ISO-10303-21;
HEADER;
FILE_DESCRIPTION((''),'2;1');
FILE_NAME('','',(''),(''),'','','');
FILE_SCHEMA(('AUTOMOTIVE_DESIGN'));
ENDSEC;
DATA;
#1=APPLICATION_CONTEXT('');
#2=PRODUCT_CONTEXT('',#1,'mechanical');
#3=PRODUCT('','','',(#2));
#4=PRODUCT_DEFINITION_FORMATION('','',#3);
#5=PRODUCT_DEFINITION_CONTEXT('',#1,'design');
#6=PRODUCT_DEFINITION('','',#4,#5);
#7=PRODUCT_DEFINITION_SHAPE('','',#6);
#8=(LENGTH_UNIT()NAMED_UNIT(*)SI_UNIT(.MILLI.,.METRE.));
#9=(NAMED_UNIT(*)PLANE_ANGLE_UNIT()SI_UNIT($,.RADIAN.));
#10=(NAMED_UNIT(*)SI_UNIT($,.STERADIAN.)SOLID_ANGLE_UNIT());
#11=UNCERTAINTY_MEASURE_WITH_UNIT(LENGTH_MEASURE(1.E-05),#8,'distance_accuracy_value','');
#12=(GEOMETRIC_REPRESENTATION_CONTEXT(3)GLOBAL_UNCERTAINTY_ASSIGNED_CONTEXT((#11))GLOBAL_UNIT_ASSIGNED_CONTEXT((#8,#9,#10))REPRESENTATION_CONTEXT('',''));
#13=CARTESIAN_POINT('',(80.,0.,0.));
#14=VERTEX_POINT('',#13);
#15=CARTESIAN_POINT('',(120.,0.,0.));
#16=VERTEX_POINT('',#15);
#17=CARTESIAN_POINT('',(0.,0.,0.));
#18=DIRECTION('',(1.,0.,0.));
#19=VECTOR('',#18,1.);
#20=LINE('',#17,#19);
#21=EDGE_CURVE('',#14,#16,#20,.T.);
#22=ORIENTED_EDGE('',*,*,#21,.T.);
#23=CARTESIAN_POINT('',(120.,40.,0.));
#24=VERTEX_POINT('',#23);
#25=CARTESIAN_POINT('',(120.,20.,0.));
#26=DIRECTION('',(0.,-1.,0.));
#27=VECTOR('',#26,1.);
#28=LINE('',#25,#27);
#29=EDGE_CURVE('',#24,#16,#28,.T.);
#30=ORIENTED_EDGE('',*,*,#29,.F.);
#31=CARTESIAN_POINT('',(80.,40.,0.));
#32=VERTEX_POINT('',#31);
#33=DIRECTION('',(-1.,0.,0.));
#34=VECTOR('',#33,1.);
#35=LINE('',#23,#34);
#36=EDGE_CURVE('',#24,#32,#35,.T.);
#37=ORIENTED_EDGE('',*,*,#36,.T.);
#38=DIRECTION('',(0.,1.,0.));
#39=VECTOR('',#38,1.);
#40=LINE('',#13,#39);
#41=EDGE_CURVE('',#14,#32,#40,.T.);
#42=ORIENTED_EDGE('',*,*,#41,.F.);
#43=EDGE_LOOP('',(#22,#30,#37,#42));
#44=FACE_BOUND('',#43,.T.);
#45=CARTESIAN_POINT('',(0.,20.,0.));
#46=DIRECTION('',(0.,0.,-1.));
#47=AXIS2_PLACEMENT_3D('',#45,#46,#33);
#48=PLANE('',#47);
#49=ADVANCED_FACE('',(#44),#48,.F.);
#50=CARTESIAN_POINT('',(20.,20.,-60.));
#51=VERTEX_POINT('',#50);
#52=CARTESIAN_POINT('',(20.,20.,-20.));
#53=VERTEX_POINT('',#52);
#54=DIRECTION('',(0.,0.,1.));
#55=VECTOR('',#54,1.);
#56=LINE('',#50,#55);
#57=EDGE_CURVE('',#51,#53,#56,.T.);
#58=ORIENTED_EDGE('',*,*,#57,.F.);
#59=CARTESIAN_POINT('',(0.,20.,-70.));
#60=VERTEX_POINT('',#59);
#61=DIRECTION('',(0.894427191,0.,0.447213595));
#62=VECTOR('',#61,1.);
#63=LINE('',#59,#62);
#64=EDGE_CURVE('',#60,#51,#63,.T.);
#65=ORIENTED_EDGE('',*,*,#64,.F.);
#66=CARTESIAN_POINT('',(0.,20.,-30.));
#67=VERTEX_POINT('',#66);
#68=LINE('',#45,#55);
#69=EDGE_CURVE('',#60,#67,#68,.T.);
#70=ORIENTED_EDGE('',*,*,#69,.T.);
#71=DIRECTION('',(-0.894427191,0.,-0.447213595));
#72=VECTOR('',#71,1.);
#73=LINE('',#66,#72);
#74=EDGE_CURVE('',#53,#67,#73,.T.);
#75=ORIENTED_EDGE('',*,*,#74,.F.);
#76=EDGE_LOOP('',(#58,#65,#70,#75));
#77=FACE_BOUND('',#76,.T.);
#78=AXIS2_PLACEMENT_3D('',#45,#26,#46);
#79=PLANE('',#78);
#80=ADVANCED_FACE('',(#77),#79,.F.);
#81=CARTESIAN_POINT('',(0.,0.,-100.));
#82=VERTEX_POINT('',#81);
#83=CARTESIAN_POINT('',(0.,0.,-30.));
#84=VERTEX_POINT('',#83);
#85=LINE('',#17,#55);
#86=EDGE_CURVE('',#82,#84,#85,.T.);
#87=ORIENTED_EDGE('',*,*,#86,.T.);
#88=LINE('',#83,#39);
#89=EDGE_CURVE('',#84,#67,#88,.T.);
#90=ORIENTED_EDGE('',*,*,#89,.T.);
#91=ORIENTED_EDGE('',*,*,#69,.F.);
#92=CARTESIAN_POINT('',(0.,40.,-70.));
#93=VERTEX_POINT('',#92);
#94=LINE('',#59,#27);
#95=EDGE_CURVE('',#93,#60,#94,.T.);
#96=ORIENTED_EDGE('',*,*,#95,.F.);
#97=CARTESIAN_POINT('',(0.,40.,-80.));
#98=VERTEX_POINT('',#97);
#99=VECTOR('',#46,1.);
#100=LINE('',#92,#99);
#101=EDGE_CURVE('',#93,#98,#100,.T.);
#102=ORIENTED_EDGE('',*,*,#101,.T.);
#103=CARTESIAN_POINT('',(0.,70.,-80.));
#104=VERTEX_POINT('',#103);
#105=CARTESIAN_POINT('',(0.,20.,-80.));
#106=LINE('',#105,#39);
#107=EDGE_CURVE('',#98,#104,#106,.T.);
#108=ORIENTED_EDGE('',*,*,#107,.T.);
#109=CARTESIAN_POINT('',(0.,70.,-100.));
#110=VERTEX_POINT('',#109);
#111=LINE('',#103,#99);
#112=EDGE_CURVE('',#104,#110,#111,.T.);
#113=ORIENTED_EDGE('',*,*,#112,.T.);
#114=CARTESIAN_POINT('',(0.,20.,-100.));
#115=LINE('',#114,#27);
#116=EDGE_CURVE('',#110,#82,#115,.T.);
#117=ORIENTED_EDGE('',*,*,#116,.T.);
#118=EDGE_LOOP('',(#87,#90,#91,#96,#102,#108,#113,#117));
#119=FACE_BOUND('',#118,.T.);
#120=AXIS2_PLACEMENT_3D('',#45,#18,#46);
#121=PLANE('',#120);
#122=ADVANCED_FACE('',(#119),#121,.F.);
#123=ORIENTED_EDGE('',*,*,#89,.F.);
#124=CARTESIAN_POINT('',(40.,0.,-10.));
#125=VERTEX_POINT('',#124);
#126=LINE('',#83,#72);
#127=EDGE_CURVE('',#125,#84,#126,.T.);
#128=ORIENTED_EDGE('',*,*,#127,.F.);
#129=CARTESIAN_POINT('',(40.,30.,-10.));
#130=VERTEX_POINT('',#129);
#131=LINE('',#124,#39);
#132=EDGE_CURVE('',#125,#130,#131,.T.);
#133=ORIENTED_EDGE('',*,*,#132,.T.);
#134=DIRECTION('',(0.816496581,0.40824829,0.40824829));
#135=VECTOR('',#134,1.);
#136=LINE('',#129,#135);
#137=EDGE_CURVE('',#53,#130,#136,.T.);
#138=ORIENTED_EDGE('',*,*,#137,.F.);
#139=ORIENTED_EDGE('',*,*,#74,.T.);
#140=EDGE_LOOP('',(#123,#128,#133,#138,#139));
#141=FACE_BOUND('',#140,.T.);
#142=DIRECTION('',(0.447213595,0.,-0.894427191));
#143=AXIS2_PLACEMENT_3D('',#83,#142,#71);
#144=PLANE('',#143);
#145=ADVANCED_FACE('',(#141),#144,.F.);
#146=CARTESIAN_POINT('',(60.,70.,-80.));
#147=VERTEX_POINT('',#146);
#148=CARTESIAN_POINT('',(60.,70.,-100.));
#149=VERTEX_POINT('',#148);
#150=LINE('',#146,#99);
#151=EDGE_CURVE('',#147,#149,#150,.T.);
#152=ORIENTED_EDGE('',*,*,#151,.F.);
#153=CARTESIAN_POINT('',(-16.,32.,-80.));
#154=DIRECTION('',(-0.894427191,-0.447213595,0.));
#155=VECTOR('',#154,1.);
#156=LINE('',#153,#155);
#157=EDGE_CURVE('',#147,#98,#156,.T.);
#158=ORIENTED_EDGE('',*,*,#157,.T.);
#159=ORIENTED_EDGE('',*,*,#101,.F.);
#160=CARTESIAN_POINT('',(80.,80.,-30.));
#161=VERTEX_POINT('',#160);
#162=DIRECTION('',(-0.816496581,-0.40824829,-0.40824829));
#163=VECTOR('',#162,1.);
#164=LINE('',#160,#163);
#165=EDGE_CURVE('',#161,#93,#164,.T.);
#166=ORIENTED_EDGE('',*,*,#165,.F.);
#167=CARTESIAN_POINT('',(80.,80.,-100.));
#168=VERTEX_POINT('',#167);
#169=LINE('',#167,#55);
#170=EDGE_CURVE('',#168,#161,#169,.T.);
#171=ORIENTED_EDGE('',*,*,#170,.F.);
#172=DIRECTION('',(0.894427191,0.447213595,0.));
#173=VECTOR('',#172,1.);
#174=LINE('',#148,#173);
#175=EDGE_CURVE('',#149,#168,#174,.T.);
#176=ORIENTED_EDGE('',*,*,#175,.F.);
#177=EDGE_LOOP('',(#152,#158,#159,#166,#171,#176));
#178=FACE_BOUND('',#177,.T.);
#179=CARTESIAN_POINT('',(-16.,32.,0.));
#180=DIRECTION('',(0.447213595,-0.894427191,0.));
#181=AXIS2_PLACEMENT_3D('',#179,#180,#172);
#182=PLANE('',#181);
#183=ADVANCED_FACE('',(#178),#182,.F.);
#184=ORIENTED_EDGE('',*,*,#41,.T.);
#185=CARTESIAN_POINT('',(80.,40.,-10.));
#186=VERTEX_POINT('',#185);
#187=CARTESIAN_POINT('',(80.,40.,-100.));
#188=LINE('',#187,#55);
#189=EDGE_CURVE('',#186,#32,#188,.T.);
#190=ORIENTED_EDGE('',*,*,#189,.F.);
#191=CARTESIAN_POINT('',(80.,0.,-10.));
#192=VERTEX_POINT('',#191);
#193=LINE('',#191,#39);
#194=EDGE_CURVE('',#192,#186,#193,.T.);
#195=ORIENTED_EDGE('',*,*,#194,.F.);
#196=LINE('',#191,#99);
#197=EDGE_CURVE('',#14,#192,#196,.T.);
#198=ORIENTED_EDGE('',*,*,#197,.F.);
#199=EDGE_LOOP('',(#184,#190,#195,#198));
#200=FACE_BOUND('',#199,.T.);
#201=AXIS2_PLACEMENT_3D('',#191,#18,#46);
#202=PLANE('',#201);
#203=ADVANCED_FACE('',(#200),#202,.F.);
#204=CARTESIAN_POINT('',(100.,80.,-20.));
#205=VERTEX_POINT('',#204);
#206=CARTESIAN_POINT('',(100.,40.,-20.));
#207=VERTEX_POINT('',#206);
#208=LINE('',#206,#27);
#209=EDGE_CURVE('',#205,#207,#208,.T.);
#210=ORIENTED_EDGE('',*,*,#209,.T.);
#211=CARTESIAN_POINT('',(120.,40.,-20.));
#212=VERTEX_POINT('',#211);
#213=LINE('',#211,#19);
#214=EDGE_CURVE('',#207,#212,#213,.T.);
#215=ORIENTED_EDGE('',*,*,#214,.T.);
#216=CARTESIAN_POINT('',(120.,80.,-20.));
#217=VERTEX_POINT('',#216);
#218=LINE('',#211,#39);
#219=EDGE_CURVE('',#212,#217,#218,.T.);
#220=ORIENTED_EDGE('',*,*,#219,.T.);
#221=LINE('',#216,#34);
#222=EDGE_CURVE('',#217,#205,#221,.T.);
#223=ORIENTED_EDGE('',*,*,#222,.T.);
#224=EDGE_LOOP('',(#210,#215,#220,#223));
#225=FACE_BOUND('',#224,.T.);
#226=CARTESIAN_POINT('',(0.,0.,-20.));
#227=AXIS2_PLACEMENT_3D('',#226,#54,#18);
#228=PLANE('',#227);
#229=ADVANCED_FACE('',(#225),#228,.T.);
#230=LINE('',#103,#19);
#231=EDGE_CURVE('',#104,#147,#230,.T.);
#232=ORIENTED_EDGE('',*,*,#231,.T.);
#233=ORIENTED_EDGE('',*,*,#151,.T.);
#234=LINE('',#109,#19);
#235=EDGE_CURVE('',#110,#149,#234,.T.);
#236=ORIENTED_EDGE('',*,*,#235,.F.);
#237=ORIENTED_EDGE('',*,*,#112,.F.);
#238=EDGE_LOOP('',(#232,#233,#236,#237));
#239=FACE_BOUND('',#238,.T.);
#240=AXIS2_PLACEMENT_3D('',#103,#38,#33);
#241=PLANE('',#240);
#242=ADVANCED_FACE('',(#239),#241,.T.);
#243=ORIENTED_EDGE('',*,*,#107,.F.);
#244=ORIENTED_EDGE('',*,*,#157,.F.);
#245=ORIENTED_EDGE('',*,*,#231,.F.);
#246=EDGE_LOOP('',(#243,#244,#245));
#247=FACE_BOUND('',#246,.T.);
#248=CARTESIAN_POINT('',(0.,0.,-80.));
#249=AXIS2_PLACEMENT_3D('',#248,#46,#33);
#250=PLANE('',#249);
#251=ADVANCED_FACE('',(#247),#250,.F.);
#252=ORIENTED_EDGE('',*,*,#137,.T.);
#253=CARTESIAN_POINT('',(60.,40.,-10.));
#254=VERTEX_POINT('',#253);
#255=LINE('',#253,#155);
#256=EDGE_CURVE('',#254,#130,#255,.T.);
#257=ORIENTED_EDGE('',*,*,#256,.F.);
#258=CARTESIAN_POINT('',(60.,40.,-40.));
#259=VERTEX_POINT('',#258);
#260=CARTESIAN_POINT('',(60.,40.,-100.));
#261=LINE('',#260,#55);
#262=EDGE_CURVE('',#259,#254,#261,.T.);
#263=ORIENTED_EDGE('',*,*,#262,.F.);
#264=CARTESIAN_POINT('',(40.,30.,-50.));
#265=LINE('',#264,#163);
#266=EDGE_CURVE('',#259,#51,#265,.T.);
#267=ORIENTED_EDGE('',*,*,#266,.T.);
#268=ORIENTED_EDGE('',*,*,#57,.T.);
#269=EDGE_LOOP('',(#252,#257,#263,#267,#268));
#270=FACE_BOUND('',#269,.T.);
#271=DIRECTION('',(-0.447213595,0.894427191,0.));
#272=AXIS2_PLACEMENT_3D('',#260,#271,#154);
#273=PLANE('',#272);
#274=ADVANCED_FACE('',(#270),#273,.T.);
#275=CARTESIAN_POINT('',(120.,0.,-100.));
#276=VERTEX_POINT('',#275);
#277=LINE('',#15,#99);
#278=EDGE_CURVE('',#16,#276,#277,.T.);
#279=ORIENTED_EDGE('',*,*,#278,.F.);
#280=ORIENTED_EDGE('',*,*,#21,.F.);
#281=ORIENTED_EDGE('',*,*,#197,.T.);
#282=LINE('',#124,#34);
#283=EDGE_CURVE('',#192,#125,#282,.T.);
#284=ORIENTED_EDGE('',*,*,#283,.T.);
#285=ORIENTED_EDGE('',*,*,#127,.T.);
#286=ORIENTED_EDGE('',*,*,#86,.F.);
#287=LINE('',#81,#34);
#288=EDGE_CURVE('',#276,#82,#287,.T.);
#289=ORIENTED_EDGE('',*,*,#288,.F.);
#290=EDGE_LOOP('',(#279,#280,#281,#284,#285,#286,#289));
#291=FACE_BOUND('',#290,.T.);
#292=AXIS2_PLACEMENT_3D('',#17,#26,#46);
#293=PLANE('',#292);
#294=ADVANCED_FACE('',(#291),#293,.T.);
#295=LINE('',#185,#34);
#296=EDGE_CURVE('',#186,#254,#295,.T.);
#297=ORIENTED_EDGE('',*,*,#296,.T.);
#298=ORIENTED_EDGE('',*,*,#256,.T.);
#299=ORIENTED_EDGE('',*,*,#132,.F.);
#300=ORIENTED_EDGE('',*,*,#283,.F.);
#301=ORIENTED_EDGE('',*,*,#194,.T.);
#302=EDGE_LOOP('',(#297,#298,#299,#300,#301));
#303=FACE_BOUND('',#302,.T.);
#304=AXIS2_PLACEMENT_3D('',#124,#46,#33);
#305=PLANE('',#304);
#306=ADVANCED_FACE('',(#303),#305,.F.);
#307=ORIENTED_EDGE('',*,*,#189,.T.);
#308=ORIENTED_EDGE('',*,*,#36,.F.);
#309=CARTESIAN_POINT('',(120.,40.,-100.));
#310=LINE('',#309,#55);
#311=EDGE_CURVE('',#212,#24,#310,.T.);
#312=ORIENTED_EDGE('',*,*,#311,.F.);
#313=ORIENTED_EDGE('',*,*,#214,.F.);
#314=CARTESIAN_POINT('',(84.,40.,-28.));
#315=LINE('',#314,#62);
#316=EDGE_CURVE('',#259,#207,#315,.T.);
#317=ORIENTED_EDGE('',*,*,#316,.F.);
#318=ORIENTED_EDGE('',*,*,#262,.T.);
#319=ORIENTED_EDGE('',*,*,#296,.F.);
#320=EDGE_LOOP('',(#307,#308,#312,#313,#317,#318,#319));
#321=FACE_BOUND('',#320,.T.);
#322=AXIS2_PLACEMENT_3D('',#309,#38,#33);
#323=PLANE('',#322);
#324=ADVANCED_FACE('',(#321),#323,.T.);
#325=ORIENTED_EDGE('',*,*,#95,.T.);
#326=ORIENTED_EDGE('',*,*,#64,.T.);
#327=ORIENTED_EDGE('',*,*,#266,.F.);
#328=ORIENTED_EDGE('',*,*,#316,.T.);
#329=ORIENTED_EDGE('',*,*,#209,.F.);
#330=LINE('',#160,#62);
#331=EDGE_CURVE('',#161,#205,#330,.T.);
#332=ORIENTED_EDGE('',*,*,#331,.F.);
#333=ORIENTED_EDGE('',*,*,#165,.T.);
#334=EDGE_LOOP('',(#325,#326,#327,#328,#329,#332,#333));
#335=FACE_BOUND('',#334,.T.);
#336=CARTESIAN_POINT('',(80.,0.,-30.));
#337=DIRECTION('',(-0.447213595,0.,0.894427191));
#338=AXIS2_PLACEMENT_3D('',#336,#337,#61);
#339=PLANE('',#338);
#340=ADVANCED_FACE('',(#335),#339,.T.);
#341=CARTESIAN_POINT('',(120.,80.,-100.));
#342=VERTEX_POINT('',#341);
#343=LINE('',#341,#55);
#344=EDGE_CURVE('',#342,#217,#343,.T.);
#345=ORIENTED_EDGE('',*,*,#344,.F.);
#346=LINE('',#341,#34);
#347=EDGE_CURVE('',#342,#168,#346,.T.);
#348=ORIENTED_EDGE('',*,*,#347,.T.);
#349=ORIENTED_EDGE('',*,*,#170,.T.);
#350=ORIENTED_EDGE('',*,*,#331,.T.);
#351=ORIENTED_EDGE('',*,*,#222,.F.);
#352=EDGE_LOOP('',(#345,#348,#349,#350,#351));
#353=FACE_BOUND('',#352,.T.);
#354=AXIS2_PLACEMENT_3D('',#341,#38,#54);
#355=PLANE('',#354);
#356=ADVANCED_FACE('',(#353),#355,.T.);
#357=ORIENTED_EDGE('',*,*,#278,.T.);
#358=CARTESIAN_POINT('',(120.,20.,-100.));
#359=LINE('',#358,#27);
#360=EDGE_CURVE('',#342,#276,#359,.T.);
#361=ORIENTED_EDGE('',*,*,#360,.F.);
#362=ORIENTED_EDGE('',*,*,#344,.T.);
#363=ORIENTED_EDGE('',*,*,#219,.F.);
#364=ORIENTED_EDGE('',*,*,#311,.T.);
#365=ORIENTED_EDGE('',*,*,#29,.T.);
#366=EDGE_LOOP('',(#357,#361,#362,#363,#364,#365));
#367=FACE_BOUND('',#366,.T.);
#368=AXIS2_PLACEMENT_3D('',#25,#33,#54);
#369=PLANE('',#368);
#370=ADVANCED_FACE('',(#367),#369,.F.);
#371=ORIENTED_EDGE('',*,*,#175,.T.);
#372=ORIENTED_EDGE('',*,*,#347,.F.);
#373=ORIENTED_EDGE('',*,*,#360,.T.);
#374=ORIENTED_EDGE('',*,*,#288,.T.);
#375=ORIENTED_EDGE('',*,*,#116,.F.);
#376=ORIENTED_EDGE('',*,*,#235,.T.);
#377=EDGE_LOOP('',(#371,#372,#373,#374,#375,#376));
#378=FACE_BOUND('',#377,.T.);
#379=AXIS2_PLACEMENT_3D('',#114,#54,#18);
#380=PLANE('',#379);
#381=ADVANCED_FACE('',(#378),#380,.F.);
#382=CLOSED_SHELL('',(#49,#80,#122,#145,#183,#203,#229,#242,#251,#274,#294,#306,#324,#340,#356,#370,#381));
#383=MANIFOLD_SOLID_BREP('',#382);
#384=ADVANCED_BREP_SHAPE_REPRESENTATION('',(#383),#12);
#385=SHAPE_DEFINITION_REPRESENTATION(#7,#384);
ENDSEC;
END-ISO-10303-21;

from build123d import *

# Parameters (mm, degrees)
SKETCH1_W            = 120
SKETCH1_H            = 100
BOSS_EXTRUDE1_DEPTH  = 20
CUT_EXTRUDE1_DEPTH   = 20
SKETCH3_W            = 40
SKETCH3_H            = 40
BOSS_EXTRUDE3_DEPTH  = 100
BOSS_EXTRUDE4_DEPTH  = 90
SKETCH5_W            = 20
SKETCH5_H            = 40
BOSS_EXTRUDE6_DEPTH  = 80
BOSS_EXTRUDE7_DEPTH  = 80
SKETCH7_W            = 60
SKETCH7_H            = 50
BOSS_EXTRUDE8_DEPTH  = 20
SKETCH8_W            = 10
SKETCH8_H            = 20
BOSS_EXTRUDE9_DEPTH  = 10
BOSS_EXTRUDE10_DEPTH = 42
BOSS_EXTRUDE18_DEPTH = 42
BOSS_EXTRUDE19_DEPTH = 30
BOSS_EXTRUDE21_DEPTH = 30
BOSS_EXTRUDE22_DEPTH = 30
BOSS_EXTRUDE23_DEPTH = 30
BOSS_EXTRUDE24_DEPTH = 30
SKETCH22_W           = 120
SKETCH22_H           = 100
CUT_EXTRUDE3_DEPTH   = 30


with BuildPart() as part:
    # Sketch1 → Boss-Extrude1 (new body)
    with BuildSketch(Plane(origin=(0, 0, 0), x_dir=(1, 0, 0), z_dir=(0, 1, 0))):
        with Locations((60, 50)):
            Rectangle(SKETCH1_W, SKETCH1_H)
    extrude(amount=BOSS_EXTRUDE1_DEPTH)

    # Sketch2 → Cut-Extrude1 (cut)
    with BuildSketch(Plane(origin=(0, 20, 0), x_dir=(1, 0, 0), z_dir=(0, 1, 0))):
        Polygon((0, 30), (40, 10), (80, 10), (80, 0), (0, 0), align=None)
    extrude(amount=-CUT_EXTRUDE1_DEPTH, mode=Mode.SUBTRACT)

    # Sketch3 → Boss-Extrude3 (add)
    with BuildSketch(Plane.XY):
        with Locations((100, 20)):
            Rectangle(SKETCH3_W, SKETCH3_H)
    extrude(amount=-BOSS_EXTRUDE3_DEPTH)

    # Sketch4 → Boss-Extrude4 (add)
    with BuildSketch(Plane.XY.offset(-10)):
        Polygon((80, 20), (80, 40), (60, 40), (40, 30), (40, 20), align=None)
    extrude(amount=-BOSS_EXTRUDE4_DEPTH)

    # Sketch5 → Boss-Extrude6 (add)
    with BuildSketch(Plane.XY.offset(-20)):
        with Locations((110, 60)):
            Rectangle(SKETCH5_W, SKETCH5_H)
    extrude(amount=-BOSS_EXTRUDE6_DEPTH)

    # Sketch6 → Boss-Extrude7 (add)
    with BuildSketch(Plane(origin=(0, 80, 0), x_dir=(1, 0, 0), z_dir=(0, 1, 0))):
        Polygon((100, 100), (80, 100), (80, 30), (100, 20), align=None)
    extrude(amount=-BOSS_EXTRUDE7_DEPTH)

    # Sketch7 → Boss-Extrude8 (add)
    with BuildSketch(Plane(origin=(0, 0, -100), x_dir=(-1, 0, 0), z_dir=(0, 0, -1))):
        with Locations((-30, 45)):
            Rectangle(SKETCH7_W, SKETCH7_H)
    extrude(amount=-BOSS_EXTRUDE8_DEPTH)

    # Sketch8 → Boss-Extrude9 (add)
    with BuildSketch(Plane.XY.offset(-80)):
        with Locations((5, 30)):
            Rectangle(SKETCH8_W, SKETCH8_H)
    extrude(amount=BOSS_EXTRUDE9_DEPTH)

    # Sketch9 → Boss-Extrude10 (add)
    with BuildSketch(Plane(origin=(-16, 32, 0), x_dir=(-0.894427191, -0.447213595, 0), z_dir=(0.447213595, -0.894427191, 0))):
        Polygon((-107.33126292, 100), (-107.33126292, 30), (-17.88854382, 70), (-17.88854382, 80), align=None)
    extrude(amount=BOSS_EXTRUDE10_DEPTH)

    # Sketch11 → Boss-Extrude18 (add)
    with BuildSketch(Plane(origin=(0, 0, -100), x_dir=(-1, 0, 0), z_dir=(0, 0, -1))):
        Polygon((-80, 40), (-60, 40), (-60, 70), (-80, 80), align=None)
    extrude(amount=-BOSS_EXTRUDE18_DEPTH)

    # Sketch12 → Boss-Extrude19 (add)
    with BuildSketch(Plane(origin=(28, 0, -56), x_dir=(0.894427191, 0, 0.447213595), z_dir=(-0.447213595, 0, 0.894427191))):
        Polygon((58.137767415, 80), (58.137767415, 40), (-31.304951685, 20), (-31.304951685, 40), align=None)
    extrude(amount=-BOSS_EXTRUDE19_DEPTH)

    # Sketch17 → Boss-Extrude21 (add)
    with BuildSketch(Plane(origin=(28, 0, -56), x_dir=(0.894427191, 0, 0.447213595), z_dir=(-0.447213595, 0, 0.894427191))):
        Polygon((13.416407865, 30), (-31.304951685, 20), (13.416407865, 20), align=None)
    extrude(amount=-BOSS_EXTRUDE21_DEPTH)

    # Sketch19 → Boss-Extrude22 (add)
    with BuildSketch(Plane(origin=(-4, 8, 0), x_dir=(0.894427191, 0.447213595, 0), z_dir=(-0.447213595, 0.894427191, 0))):
        Polygon((26.83281573, 20), (71.55417528, 10), (71.55417528, 40), (26.83281573, 60), align=None)
    extrude(amount=-BOSS_EXTRUDE22_DEPTH)

    # Sketch20 → Boss-Extrude23 (add)
    with BuildSketch(Plane(origin=(-4, 8, 0), x_dir=(0.894427191, 0.447213595, 0), z_dir=(-0.447213595, 0.894427191, 0))):
        Polygon((49.193495505, 10), (26.83281573, 20), (49.193495505, 15), align=None)
    extrude(amount=-BOSS_EXTRUDE23_DEPTH)

    # Sketch21 → Boss-Extrude24 (add)
    with BuildSketch(Plane(origin=(12, 0, -24), x_dir=(0.894427191, 0, 0.447213595), z_dir=(-0.447213595, 0, 0.894427191))):
        Polygon((8.94427191, 20), (31.304951685, 30), (31.304951685, 20), align=None)
    extrude(amount=-BOSS_EXTRUDE24_DEPTH)

    # Sketch22 → Cut-Extrude3 (cut)
    with BuildSketch(Plane.XZ):
        with Locations((60, -50)):
            Rectangle(SKETCH22_W, SKETCH22_H)
    extrude(amount=CUT_EXTRUDE3_DEPTH, mode=Mode.SUBTRACT)


solid = part.part
